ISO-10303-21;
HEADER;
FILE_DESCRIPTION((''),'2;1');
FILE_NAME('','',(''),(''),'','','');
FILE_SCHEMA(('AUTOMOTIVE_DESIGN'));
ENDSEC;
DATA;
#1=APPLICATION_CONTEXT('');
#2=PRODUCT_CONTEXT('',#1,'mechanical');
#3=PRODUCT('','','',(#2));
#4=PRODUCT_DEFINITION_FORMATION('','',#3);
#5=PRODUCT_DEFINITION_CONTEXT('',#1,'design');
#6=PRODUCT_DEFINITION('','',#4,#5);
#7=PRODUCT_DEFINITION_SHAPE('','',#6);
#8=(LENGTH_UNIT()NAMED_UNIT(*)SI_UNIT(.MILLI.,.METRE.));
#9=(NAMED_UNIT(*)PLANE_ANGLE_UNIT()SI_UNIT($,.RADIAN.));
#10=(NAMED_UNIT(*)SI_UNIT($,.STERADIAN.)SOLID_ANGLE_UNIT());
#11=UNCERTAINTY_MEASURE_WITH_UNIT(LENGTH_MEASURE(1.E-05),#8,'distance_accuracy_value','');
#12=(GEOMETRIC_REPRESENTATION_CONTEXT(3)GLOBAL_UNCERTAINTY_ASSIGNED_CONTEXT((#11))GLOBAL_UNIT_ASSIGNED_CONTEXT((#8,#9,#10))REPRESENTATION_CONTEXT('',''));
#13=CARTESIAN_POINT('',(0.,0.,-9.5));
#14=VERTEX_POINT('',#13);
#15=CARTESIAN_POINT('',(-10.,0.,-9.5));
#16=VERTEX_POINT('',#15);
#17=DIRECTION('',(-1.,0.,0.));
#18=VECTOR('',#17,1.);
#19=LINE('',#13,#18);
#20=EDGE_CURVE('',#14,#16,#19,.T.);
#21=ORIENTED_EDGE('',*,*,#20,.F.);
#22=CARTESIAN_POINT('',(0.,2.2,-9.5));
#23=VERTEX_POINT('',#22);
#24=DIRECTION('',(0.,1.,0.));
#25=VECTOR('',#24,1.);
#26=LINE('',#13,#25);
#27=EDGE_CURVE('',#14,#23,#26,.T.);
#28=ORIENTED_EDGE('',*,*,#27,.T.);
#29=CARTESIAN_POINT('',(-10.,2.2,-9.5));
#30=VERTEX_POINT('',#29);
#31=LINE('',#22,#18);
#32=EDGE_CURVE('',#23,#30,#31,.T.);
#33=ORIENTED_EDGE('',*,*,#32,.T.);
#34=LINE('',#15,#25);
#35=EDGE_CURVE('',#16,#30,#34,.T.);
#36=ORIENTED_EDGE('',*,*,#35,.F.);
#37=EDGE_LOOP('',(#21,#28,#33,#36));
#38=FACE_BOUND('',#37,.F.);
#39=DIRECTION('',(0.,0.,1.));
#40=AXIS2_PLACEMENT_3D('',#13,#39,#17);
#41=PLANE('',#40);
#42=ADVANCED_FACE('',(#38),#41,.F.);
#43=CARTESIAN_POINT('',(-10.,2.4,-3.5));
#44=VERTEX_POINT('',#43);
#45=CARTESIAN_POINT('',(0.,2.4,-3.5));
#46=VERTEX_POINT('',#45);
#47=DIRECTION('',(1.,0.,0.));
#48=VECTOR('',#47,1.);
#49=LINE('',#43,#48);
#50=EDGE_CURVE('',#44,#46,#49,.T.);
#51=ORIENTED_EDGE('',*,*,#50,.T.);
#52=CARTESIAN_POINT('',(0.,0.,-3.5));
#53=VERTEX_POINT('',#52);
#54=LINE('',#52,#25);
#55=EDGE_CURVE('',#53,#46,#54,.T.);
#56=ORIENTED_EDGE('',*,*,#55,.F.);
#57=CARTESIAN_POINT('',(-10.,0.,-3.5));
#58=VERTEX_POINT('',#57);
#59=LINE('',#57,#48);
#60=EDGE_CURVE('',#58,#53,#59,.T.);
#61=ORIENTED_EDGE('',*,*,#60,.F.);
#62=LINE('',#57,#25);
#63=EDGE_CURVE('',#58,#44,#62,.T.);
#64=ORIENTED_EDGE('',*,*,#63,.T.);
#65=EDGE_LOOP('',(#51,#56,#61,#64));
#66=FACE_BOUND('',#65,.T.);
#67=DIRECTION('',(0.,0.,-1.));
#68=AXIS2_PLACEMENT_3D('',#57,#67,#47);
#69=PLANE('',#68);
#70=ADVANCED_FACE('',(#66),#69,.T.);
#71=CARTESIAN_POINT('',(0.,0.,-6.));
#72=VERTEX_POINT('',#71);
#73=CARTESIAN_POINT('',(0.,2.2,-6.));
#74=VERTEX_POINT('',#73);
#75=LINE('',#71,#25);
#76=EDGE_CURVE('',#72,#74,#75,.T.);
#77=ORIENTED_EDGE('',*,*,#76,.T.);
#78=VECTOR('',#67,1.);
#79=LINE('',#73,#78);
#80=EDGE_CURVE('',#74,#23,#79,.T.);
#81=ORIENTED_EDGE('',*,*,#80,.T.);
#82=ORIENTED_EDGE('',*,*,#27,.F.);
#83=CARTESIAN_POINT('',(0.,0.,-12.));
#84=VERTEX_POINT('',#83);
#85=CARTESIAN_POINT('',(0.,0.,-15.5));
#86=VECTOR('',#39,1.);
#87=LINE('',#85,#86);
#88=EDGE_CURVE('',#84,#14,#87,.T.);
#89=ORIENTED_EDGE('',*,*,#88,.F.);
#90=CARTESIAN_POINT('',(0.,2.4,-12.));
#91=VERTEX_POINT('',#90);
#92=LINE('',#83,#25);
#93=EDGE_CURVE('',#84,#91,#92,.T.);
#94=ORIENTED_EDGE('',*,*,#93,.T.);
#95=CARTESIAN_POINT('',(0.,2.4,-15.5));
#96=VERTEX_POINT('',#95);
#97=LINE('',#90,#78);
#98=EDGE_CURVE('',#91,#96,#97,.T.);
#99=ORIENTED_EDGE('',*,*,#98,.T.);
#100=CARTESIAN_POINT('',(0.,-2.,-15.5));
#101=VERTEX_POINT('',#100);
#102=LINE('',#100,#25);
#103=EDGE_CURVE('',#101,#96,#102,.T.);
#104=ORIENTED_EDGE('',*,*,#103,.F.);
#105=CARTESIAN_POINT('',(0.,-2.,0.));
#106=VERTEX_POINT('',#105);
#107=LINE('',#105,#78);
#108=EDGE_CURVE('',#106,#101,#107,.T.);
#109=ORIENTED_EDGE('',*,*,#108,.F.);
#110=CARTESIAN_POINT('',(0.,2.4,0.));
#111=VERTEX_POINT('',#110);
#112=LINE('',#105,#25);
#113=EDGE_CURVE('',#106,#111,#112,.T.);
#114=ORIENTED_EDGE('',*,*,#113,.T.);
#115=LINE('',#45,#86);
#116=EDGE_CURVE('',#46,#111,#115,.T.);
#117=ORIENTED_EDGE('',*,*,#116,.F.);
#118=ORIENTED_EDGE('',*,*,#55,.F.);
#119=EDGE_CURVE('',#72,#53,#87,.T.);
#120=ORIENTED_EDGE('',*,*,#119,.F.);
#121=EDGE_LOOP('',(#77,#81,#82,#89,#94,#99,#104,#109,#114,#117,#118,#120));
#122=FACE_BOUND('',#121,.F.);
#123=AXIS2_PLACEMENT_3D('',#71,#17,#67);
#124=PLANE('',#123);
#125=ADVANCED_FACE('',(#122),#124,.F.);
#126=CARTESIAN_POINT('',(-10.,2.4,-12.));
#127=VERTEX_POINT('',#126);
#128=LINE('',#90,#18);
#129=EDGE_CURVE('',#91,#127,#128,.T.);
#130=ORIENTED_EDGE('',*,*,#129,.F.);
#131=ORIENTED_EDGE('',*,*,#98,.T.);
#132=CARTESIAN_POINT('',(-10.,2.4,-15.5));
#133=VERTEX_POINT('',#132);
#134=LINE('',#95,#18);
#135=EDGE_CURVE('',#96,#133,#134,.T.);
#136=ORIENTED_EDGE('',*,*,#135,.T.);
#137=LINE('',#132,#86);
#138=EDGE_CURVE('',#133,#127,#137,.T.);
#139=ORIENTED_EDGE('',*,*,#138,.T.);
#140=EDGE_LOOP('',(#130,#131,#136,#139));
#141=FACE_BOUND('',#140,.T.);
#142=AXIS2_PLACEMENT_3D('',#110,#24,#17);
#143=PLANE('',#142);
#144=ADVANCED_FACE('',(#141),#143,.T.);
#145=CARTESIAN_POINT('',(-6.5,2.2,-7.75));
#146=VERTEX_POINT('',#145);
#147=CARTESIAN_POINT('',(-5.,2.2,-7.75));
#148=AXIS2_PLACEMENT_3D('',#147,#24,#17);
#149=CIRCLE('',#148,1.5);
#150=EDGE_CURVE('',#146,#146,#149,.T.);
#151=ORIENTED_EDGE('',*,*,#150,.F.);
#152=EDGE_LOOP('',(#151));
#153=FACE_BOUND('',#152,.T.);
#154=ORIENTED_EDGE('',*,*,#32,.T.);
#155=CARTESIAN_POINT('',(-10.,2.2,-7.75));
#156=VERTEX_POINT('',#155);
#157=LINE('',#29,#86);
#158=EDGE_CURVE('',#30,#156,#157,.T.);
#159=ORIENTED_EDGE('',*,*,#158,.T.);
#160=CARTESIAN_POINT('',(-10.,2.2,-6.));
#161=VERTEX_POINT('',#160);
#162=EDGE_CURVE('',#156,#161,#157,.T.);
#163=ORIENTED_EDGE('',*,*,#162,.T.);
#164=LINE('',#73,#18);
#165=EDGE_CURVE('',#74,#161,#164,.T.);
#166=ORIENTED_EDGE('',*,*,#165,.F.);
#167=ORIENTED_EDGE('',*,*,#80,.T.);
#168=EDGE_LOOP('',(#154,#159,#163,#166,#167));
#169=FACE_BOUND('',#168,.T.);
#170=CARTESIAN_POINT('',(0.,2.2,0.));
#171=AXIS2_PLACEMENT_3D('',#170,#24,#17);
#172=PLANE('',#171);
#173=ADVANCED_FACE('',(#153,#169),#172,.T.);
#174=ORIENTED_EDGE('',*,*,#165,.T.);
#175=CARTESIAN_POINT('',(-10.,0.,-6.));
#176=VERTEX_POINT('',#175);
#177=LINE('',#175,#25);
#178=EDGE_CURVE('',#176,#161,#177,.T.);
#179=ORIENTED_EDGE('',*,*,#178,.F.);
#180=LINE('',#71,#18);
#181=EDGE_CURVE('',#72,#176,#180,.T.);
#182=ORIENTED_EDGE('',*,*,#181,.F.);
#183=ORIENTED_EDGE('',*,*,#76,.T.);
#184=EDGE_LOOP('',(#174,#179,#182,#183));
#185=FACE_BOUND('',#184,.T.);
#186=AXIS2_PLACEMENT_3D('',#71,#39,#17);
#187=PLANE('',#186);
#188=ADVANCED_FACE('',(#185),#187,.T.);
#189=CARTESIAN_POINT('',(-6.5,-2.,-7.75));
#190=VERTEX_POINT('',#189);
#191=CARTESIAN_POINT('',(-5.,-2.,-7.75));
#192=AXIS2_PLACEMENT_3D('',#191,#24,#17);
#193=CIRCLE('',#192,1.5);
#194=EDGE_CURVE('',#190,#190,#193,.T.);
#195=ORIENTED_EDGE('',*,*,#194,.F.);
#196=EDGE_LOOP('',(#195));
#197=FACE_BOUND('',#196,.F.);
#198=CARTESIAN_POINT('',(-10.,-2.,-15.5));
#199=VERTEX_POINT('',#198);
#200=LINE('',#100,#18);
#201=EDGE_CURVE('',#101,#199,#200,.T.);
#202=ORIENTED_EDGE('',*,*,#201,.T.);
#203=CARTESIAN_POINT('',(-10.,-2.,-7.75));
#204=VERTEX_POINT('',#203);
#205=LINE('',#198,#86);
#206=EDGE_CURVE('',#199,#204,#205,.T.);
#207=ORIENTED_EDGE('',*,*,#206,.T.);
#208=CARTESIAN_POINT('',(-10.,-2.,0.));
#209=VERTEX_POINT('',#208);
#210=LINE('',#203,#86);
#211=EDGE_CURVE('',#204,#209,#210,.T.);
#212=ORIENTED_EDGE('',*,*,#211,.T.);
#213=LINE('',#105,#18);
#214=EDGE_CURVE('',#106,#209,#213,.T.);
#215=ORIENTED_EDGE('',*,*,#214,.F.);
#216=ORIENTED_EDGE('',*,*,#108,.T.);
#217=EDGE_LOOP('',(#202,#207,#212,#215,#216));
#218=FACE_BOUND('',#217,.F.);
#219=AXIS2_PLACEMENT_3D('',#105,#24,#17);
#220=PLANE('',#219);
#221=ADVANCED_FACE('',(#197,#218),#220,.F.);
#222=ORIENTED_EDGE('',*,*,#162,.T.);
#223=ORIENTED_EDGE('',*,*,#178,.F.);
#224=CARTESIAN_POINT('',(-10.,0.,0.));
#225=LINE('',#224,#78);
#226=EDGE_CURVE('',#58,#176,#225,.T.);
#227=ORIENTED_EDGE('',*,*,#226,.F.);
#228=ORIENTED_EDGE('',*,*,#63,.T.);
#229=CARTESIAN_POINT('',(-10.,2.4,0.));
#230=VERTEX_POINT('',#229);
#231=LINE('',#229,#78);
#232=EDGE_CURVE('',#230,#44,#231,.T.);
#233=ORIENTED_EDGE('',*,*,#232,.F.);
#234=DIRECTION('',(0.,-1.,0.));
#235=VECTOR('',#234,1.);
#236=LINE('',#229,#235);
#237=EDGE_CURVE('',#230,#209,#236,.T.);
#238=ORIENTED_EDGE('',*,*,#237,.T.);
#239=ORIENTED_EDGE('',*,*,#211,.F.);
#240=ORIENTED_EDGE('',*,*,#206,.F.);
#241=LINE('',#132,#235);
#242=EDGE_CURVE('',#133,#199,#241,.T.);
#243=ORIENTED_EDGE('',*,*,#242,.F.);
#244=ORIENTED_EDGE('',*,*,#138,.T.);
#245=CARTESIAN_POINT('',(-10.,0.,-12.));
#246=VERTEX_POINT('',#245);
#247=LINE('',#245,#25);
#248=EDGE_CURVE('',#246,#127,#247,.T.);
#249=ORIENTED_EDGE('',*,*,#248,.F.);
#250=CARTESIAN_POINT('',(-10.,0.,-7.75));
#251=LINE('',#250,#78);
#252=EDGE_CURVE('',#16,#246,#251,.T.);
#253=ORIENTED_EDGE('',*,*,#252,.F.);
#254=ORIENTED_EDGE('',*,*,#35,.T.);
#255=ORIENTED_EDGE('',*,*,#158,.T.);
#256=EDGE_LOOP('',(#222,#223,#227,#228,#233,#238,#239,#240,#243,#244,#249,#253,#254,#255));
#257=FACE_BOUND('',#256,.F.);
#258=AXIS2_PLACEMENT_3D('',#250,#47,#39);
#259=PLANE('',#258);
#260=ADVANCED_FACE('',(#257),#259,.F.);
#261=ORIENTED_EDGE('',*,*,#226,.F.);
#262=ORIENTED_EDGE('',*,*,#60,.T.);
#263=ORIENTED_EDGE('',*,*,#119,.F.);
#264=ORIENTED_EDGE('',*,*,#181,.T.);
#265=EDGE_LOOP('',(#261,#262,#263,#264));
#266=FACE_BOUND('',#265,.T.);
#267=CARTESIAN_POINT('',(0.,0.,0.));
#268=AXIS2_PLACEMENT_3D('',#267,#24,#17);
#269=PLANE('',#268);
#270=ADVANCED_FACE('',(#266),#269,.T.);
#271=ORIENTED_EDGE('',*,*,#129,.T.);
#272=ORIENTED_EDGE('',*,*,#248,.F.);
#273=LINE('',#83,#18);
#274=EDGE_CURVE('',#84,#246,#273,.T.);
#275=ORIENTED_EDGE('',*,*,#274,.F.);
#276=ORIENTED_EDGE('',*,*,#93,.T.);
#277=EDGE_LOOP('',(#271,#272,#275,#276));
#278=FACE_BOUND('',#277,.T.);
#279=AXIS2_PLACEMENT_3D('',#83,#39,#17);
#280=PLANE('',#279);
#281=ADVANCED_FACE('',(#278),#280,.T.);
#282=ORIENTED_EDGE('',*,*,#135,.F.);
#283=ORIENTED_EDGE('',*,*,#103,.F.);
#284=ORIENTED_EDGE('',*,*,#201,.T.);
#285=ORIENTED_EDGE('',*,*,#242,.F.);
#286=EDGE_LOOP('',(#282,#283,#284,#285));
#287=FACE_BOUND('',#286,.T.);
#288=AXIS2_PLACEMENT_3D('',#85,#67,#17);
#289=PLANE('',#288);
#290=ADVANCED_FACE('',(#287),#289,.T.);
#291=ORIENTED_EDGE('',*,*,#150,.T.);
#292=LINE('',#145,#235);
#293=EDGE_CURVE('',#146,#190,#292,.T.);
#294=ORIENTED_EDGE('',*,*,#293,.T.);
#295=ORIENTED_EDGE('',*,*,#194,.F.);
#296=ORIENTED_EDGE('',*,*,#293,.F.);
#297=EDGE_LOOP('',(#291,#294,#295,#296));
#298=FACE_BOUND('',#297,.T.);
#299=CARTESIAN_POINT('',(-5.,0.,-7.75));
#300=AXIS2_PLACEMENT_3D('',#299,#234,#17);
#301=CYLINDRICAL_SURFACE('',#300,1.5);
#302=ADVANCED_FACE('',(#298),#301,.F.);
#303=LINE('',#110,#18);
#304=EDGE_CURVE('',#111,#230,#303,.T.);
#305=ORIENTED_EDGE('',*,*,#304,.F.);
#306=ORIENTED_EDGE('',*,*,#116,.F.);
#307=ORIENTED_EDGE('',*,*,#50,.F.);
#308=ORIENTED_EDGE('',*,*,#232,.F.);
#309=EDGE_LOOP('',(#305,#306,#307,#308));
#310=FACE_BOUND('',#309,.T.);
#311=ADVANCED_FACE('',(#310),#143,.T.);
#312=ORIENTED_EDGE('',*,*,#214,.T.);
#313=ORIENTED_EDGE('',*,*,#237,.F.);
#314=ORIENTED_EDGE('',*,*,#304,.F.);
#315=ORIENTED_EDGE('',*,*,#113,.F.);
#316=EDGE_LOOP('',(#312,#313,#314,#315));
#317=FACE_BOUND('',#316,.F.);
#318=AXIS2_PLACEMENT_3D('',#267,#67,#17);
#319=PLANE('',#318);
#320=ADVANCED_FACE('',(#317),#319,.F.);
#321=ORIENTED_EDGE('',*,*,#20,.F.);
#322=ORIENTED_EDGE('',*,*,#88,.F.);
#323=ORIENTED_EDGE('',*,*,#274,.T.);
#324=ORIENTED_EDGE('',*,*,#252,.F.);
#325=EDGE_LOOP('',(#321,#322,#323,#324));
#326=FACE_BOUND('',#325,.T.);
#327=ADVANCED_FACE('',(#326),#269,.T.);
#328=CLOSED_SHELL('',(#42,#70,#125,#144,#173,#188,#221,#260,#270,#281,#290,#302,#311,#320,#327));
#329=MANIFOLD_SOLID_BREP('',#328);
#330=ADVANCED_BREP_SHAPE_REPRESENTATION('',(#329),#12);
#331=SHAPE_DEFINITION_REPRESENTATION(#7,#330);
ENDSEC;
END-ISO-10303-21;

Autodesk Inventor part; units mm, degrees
ref_plane "YZ Plane" through (0, 0, 0) normal (1, 0, 0) x (0, 1, 0)
ref_plane "XZ Plane" through (0, 0, 0) normal (0, 1, 0) x (-1, 0, 0)
ref_plane "XY Plane" through (0, 0, 0) normal (0, 0, 1) x (1, 0, 0)
sketch "Sketch1" plane through (0, 0, 0) normal (0, 1, 0) x (-1, 0, 0)
  line L0 (0, 0) -> (10, 0)
  line L1 (10, 0) -> (10, -3.5)
  line L2 (10, -3.5) -> (0, -3.5)
  line L3 (0, -3.5) -> (0, 0)
  line L4 (10, -3.5) -> (0, -3.5)
  line L5 (0, -3.5) -> (0, -6)
  line L6 (0, -6) -> (10, -6)
  line L7 (10, -6) -> (10, -3.5)
  line L8 (10, -6) -> (0, -6)
  line L9 (0, -6) -> (0, -9.5)
  line L10 (0, -9.5) -> (10, -9.5)
  line L11 (10, -9.5) -> (10, -6)
  line L12 (10, -9.5) -> (0, -9.5)
  line L13 (0, -9.5) -> (0, -12)
  line L14 (0, -12) -> (10, -12)
  line L15 (10, -12) -> (10, -9.5)
  line L16 (10, -12) -> (0, -12)
  line L17 (0, -12) -> (0, -15.5)
  line L18 (0, -15.5) -> (10, -15.5)
  line L19 (10, -15.5) -> (10, -12)
  line L20 (10, -7.75) -> (5, -7.75)
  circle A0 centre (5, -7.75) radius 1.5
  dimension "d0" = 10
  dimension "d1" = 3.5
  dimension "d2" = 2.5
  dimension "d3" = 10
  dimension "d4" = 3.5
  dimension "d5" = 10
  dimension "d6" = 2.5
  dimension "d7" = 3.5
  dimension "d12" = 5
  dimension "d13" = 3
extrude "Extrusion1" add sketch "Sketch1" against normal blind 2
extrude "Extrusion2" add sketch "Sketch1" along normal blind 2.4 contours L0 L1 L2 L3 | L14 L19 L18 L17
extrude "Extrusion3" add sketch "Sketch1" along normal blind 2.2 contours L6 L11 L10 L9
properties part number "yellow_plate_screw_grip_1"
